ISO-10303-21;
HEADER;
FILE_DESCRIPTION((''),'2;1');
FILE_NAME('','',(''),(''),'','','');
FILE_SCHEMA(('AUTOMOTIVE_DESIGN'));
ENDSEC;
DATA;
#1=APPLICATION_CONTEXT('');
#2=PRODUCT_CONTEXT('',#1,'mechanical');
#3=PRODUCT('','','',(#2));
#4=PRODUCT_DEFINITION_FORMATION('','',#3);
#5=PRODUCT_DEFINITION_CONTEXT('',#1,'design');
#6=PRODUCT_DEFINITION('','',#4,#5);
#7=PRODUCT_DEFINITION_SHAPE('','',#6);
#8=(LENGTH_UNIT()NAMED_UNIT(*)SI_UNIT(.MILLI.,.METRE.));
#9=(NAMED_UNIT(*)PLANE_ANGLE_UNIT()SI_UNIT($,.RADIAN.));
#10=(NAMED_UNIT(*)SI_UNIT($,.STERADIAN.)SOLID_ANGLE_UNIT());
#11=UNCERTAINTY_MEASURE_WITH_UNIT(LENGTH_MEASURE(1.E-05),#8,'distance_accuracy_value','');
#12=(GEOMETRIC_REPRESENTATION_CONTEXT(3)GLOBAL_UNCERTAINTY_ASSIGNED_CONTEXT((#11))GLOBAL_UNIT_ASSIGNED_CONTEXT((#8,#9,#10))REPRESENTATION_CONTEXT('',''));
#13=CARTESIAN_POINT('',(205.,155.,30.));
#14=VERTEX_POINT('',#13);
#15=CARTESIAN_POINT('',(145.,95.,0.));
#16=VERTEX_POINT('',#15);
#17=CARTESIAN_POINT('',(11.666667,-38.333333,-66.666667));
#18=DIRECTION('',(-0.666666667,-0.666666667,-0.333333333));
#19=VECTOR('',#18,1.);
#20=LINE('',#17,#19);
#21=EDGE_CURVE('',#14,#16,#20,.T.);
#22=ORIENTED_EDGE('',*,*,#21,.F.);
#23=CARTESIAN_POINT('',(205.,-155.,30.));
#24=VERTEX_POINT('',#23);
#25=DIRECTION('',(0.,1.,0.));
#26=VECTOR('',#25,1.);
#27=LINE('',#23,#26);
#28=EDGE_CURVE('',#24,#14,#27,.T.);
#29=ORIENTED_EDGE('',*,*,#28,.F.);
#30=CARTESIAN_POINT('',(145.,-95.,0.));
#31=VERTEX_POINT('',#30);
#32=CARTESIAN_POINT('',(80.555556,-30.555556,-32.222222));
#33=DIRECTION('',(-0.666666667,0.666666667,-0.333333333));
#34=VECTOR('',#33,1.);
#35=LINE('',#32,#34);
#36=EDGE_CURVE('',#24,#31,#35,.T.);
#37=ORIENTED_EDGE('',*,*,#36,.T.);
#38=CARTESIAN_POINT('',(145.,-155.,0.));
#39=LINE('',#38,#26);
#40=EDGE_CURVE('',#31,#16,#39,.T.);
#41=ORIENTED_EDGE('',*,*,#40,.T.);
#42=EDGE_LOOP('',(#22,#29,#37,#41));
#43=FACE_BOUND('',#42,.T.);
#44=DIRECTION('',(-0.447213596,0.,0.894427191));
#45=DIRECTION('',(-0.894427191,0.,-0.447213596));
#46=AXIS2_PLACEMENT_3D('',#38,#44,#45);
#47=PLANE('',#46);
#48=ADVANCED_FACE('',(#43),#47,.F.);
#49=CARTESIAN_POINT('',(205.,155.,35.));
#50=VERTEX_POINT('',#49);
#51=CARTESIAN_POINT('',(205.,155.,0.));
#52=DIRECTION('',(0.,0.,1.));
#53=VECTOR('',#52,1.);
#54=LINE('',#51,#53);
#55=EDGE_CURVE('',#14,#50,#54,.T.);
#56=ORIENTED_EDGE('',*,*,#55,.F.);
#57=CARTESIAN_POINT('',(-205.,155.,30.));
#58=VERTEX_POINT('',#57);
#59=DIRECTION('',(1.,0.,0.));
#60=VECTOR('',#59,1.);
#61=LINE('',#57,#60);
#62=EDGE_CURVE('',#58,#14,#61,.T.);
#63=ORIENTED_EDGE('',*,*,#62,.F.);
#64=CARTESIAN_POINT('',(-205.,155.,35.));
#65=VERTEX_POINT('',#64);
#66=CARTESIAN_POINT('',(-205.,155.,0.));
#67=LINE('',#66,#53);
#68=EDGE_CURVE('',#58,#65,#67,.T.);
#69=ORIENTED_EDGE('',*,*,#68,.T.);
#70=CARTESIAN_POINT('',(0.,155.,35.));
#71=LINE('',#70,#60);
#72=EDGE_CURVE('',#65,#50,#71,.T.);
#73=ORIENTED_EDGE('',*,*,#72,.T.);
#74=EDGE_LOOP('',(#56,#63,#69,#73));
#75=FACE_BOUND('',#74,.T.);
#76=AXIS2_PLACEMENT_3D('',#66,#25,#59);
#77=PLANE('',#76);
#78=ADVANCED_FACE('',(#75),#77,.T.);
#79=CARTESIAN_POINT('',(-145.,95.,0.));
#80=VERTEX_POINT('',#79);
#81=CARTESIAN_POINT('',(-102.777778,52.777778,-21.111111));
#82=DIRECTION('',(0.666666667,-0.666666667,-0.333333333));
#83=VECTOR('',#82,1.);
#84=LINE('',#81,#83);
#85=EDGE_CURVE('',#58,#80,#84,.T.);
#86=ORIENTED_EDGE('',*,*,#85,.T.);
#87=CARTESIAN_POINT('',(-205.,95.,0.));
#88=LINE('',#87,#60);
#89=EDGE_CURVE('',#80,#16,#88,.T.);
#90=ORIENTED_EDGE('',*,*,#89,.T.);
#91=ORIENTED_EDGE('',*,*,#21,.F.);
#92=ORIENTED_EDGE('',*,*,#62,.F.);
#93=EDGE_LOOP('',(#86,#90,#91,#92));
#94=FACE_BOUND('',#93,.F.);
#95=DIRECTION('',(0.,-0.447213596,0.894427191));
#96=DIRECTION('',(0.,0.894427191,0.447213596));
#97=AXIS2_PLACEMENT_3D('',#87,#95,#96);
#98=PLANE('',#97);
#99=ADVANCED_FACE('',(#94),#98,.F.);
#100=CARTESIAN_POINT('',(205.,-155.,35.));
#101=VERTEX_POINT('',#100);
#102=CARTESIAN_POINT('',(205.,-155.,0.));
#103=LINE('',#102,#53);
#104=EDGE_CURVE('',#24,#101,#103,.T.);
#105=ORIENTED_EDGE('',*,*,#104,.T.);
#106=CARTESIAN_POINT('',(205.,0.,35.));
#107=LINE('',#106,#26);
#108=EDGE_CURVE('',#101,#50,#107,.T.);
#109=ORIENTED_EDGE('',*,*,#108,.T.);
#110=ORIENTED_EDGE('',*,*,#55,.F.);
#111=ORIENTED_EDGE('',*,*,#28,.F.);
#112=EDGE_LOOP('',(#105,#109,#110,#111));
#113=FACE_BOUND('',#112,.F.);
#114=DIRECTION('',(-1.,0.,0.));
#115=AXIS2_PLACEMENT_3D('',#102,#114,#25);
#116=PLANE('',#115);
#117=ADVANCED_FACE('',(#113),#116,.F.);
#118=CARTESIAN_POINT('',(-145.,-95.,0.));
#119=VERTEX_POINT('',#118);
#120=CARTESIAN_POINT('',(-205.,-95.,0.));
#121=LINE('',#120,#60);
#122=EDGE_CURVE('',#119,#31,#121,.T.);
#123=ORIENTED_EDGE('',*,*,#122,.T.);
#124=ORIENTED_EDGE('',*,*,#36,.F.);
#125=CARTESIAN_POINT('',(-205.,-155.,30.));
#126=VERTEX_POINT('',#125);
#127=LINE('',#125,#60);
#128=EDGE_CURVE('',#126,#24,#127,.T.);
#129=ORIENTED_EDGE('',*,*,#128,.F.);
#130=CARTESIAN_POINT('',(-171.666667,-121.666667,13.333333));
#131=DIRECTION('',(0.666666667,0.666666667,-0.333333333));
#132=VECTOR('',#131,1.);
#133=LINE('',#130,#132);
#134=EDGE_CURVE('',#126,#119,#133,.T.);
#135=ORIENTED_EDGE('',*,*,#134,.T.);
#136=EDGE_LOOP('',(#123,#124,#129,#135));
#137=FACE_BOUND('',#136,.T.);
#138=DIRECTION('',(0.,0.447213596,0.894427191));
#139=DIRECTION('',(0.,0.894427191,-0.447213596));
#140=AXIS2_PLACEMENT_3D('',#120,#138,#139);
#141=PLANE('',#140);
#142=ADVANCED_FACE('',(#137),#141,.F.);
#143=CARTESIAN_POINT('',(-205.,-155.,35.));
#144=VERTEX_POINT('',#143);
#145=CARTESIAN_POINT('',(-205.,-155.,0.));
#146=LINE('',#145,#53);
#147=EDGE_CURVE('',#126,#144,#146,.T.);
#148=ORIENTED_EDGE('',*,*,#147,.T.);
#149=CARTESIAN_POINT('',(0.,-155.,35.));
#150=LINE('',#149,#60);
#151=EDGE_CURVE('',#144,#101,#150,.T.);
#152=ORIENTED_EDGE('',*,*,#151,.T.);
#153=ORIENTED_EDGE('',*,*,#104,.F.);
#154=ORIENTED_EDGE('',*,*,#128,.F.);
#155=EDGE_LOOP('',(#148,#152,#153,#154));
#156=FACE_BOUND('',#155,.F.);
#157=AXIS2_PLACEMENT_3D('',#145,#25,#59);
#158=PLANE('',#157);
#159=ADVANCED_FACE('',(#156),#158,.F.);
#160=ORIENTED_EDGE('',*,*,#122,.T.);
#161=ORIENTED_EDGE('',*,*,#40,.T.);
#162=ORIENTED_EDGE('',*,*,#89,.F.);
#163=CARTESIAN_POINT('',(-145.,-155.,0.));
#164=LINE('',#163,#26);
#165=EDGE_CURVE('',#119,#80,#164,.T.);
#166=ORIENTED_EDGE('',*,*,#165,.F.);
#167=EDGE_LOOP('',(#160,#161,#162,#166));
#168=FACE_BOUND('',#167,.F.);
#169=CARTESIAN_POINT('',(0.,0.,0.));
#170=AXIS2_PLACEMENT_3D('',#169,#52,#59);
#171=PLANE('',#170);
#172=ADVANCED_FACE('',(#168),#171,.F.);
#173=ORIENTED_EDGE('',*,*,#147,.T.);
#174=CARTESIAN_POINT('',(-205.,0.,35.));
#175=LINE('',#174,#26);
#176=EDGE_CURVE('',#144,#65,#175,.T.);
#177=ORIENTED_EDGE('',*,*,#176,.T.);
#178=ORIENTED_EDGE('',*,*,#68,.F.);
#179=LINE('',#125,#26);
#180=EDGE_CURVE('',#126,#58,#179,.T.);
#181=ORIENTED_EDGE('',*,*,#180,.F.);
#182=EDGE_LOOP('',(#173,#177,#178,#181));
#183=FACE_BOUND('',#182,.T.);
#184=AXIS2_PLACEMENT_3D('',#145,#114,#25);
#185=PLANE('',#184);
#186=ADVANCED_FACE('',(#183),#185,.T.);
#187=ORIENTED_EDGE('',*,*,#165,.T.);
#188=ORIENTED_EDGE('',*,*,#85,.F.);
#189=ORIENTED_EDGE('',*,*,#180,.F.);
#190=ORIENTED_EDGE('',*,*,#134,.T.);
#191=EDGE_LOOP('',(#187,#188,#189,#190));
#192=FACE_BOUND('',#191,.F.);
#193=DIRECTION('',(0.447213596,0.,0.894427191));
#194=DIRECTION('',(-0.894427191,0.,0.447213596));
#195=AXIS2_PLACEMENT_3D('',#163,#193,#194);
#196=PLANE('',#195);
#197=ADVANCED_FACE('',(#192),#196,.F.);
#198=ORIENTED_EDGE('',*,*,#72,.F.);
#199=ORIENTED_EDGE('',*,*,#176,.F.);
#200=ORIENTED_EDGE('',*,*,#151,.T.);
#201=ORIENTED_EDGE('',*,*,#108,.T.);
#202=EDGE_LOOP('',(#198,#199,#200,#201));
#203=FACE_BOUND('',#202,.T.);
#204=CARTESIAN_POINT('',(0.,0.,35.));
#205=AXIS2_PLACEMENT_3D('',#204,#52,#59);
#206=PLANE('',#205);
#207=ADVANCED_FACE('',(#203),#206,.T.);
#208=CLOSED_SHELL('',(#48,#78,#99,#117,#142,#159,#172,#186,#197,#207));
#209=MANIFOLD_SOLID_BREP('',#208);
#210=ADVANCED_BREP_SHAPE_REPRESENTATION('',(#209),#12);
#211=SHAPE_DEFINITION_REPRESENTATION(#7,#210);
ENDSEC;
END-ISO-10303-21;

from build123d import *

# Parameters (mm, degrees)
F0_W     = 410
F0_H     = 310
F1_DEPTH = 35
F3_DEPTH = 413
F7_DEPTH = 455


with BuildPart() as f1:
    # F0 (on Top) → F1 (new body)
    with BuildSketch(Plane.XY):
        Rectangle(F0_W, F0_H)
    extrude(amount=F1_DEPTH)


with BuildPart() as f3:
    # F2 (on face) → F3 (new body)
    with BuildSketch(Plane.XZ.offset(155)):
        Polygon((-186.286226, -45.123053), (-145, 0), (-205, 30), (-247.468904, 11.412853), align=None)
    extrude(amount=-F3_DEPTH)


with BuildPart() as f4_1:
    # F4: instance of F3
    add(f3.part.mirror(Plane.YZ))


with BuildPart() as f1_1:
    add(f1.part)

    # F5: cut F3, F4_1
    add(f3.part, mode=Mode.SUBTRACT)
    add(f4_1.part, mode=Mode.SUBTRACT)


with BuildPart() as f7:
    # F6 (on face) → F7 (new body)
    with BuildSketch(Plane(origin=(-205, 0, 0), x_dir=(0, -1, 0), z_dir=(-1, 0, 0))):
        Polygon((-155, -27.468236), (-95, 0), (-155, 30), (-189.205855, 15.520646), align=None)
    extrude(amount=-F7_DEPTH)


with BuildPart() as f8_1:
    # F8: instance of F7
    add(f7.part.mirror(Plane.XZ))


with BuildPart() as f1_2:
    add(f1_1.part)

    # F9: cut F7, F8_1
    add(f7.part, mode=Mode.SUBTRACT)
    add(f8_1.part, mode=Mode.SUBTRACT)


solid = f1_2.part
